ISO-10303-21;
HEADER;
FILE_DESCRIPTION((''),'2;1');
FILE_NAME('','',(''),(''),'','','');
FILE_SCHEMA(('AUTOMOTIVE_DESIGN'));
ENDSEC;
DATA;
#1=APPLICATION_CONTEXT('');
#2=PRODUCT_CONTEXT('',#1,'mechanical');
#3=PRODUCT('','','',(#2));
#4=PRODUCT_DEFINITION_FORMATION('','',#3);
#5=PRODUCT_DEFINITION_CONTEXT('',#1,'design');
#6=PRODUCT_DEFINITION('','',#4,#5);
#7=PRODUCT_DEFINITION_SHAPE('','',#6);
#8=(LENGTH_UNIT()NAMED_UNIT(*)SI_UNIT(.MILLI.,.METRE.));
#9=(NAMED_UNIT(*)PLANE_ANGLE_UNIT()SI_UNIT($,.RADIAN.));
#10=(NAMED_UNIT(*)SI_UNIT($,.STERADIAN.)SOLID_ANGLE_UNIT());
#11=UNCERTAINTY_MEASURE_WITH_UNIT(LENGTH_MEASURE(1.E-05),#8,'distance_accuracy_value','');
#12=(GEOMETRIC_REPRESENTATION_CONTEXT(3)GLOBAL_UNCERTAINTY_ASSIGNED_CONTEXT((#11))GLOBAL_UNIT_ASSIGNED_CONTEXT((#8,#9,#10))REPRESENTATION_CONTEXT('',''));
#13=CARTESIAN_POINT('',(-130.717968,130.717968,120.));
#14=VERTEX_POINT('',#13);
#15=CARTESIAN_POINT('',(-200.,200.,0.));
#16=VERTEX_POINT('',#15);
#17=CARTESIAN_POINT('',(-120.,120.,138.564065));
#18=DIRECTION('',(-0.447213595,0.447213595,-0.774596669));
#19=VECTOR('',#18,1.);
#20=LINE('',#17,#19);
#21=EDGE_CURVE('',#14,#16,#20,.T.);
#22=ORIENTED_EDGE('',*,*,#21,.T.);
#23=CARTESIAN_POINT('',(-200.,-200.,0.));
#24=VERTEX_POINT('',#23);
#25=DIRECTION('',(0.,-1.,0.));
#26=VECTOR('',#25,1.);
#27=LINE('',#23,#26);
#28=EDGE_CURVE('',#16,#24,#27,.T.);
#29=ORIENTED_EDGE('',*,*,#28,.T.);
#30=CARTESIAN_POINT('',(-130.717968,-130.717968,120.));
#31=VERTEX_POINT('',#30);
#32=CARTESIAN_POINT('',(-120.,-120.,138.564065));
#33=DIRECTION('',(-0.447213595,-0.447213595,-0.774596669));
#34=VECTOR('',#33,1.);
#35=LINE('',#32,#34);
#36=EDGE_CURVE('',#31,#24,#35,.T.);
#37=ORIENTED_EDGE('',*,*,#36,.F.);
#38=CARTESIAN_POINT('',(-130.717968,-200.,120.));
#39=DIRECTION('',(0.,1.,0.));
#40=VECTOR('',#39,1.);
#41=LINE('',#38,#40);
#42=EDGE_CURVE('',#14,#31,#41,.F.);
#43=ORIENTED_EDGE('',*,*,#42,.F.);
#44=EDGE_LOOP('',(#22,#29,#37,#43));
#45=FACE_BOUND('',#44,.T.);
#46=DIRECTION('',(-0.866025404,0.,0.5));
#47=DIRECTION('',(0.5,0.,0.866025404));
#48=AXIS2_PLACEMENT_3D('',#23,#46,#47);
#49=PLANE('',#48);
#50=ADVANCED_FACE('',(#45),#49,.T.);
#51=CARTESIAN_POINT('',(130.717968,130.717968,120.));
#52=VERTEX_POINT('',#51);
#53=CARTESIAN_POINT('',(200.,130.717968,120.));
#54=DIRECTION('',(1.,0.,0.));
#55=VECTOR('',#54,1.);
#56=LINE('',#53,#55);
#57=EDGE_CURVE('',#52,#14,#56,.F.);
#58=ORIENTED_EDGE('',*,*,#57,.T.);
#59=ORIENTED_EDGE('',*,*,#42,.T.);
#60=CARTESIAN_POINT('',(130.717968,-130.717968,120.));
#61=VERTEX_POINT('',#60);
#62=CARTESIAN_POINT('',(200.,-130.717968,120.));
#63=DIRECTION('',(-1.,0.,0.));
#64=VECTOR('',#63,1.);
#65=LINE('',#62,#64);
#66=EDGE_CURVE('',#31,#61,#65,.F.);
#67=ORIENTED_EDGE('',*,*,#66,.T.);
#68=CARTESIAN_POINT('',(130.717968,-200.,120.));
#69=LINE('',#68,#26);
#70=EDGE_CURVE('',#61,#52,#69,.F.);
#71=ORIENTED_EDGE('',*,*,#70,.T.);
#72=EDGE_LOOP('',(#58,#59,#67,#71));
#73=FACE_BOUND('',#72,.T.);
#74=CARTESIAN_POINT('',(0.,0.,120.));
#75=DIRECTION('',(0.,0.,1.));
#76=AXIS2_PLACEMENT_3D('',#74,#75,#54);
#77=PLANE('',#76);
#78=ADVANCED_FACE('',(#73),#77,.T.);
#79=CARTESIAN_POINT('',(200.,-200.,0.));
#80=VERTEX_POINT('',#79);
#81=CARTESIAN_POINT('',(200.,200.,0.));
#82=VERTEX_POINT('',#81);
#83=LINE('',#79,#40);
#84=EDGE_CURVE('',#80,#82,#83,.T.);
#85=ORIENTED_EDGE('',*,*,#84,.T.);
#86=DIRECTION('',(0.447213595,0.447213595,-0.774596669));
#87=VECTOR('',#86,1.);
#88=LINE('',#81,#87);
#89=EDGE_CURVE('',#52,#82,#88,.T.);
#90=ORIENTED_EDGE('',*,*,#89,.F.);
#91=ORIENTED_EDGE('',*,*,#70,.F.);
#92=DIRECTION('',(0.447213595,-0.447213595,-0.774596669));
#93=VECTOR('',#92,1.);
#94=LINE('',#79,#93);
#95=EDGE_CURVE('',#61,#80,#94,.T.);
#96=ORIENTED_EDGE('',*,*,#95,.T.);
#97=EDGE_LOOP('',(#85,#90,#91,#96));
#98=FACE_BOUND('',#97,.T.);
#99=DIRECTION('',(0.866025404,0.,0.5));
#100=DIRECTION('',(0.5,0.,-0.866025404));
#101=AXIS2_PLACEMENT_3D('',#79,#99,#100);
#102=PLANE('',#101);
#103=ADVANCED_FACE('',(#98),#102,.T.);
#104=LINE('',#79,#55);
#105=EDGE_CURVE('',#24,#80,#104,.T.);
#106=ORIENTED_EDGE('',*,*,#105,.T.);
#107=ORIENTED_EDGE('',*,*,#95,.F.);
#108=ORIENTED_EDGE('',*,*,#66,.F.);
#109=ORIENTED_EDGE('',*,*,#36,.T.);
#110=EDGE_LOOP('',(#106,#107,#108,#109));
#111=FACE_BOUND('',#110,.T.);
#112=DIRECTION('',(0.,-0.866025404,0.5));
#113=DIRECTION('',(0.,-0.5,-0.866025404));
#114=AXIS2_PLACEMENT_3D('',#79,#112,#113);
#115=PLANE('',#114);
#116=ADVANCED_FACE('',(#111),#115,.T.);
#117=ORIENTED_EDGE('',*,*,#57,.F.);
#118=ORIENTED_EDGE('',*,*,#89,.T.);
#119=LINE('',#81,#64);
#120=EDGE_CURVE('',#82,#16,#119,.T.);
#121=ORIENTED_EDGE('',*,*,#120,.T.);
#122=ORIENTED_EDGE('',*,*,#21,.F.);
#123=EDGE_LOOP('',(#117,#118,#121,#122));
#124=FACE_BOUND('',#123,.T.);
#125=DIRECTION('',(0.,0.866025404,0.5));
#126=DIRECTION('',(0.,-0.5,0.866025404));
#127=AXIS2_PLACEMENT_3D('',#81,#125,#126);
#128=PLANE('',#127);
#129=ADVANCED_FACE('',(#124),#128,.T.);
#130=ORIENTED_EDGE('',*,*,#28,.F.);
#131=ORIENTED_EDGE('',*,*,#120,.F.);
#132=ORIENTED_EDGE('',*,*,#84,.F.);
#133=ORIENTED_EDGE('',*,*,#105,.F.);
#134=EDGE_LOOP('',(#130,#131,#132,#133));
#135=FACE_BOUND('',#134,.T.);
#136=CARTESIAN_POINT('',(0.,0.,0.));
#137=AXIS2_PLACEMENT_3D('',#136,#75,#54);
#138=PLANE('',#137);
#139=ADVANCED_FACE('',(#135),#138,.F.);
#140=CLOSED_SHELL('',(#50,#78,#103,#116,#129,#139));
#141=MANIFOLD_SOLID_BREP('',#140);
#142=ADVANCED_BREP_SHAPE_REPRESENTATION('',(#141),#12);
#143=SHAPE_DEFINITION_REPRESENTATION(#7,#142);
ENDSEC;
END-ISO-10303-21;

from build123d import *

# Parameters (mm, degrees)
SKETCH1_W           = 400
SKETCH1_H           = 400
BOSS_EXTRUDE1_DEPTH = 120
BOSS_EXTRUDE1_TAPER = 30


with BuildPart() as part:
    # Sketch1 → Boss-Extrude1 (new body)
    with BuildSketch(Plane.XY):
        Rectangle(SKETCH1_W, SKETCH1_H)
    extrude(amount=BOSS_EXTRUDE1_DEPTH, taper=BOSS_EXTRUDE1_TAPER)


solid = part.part
